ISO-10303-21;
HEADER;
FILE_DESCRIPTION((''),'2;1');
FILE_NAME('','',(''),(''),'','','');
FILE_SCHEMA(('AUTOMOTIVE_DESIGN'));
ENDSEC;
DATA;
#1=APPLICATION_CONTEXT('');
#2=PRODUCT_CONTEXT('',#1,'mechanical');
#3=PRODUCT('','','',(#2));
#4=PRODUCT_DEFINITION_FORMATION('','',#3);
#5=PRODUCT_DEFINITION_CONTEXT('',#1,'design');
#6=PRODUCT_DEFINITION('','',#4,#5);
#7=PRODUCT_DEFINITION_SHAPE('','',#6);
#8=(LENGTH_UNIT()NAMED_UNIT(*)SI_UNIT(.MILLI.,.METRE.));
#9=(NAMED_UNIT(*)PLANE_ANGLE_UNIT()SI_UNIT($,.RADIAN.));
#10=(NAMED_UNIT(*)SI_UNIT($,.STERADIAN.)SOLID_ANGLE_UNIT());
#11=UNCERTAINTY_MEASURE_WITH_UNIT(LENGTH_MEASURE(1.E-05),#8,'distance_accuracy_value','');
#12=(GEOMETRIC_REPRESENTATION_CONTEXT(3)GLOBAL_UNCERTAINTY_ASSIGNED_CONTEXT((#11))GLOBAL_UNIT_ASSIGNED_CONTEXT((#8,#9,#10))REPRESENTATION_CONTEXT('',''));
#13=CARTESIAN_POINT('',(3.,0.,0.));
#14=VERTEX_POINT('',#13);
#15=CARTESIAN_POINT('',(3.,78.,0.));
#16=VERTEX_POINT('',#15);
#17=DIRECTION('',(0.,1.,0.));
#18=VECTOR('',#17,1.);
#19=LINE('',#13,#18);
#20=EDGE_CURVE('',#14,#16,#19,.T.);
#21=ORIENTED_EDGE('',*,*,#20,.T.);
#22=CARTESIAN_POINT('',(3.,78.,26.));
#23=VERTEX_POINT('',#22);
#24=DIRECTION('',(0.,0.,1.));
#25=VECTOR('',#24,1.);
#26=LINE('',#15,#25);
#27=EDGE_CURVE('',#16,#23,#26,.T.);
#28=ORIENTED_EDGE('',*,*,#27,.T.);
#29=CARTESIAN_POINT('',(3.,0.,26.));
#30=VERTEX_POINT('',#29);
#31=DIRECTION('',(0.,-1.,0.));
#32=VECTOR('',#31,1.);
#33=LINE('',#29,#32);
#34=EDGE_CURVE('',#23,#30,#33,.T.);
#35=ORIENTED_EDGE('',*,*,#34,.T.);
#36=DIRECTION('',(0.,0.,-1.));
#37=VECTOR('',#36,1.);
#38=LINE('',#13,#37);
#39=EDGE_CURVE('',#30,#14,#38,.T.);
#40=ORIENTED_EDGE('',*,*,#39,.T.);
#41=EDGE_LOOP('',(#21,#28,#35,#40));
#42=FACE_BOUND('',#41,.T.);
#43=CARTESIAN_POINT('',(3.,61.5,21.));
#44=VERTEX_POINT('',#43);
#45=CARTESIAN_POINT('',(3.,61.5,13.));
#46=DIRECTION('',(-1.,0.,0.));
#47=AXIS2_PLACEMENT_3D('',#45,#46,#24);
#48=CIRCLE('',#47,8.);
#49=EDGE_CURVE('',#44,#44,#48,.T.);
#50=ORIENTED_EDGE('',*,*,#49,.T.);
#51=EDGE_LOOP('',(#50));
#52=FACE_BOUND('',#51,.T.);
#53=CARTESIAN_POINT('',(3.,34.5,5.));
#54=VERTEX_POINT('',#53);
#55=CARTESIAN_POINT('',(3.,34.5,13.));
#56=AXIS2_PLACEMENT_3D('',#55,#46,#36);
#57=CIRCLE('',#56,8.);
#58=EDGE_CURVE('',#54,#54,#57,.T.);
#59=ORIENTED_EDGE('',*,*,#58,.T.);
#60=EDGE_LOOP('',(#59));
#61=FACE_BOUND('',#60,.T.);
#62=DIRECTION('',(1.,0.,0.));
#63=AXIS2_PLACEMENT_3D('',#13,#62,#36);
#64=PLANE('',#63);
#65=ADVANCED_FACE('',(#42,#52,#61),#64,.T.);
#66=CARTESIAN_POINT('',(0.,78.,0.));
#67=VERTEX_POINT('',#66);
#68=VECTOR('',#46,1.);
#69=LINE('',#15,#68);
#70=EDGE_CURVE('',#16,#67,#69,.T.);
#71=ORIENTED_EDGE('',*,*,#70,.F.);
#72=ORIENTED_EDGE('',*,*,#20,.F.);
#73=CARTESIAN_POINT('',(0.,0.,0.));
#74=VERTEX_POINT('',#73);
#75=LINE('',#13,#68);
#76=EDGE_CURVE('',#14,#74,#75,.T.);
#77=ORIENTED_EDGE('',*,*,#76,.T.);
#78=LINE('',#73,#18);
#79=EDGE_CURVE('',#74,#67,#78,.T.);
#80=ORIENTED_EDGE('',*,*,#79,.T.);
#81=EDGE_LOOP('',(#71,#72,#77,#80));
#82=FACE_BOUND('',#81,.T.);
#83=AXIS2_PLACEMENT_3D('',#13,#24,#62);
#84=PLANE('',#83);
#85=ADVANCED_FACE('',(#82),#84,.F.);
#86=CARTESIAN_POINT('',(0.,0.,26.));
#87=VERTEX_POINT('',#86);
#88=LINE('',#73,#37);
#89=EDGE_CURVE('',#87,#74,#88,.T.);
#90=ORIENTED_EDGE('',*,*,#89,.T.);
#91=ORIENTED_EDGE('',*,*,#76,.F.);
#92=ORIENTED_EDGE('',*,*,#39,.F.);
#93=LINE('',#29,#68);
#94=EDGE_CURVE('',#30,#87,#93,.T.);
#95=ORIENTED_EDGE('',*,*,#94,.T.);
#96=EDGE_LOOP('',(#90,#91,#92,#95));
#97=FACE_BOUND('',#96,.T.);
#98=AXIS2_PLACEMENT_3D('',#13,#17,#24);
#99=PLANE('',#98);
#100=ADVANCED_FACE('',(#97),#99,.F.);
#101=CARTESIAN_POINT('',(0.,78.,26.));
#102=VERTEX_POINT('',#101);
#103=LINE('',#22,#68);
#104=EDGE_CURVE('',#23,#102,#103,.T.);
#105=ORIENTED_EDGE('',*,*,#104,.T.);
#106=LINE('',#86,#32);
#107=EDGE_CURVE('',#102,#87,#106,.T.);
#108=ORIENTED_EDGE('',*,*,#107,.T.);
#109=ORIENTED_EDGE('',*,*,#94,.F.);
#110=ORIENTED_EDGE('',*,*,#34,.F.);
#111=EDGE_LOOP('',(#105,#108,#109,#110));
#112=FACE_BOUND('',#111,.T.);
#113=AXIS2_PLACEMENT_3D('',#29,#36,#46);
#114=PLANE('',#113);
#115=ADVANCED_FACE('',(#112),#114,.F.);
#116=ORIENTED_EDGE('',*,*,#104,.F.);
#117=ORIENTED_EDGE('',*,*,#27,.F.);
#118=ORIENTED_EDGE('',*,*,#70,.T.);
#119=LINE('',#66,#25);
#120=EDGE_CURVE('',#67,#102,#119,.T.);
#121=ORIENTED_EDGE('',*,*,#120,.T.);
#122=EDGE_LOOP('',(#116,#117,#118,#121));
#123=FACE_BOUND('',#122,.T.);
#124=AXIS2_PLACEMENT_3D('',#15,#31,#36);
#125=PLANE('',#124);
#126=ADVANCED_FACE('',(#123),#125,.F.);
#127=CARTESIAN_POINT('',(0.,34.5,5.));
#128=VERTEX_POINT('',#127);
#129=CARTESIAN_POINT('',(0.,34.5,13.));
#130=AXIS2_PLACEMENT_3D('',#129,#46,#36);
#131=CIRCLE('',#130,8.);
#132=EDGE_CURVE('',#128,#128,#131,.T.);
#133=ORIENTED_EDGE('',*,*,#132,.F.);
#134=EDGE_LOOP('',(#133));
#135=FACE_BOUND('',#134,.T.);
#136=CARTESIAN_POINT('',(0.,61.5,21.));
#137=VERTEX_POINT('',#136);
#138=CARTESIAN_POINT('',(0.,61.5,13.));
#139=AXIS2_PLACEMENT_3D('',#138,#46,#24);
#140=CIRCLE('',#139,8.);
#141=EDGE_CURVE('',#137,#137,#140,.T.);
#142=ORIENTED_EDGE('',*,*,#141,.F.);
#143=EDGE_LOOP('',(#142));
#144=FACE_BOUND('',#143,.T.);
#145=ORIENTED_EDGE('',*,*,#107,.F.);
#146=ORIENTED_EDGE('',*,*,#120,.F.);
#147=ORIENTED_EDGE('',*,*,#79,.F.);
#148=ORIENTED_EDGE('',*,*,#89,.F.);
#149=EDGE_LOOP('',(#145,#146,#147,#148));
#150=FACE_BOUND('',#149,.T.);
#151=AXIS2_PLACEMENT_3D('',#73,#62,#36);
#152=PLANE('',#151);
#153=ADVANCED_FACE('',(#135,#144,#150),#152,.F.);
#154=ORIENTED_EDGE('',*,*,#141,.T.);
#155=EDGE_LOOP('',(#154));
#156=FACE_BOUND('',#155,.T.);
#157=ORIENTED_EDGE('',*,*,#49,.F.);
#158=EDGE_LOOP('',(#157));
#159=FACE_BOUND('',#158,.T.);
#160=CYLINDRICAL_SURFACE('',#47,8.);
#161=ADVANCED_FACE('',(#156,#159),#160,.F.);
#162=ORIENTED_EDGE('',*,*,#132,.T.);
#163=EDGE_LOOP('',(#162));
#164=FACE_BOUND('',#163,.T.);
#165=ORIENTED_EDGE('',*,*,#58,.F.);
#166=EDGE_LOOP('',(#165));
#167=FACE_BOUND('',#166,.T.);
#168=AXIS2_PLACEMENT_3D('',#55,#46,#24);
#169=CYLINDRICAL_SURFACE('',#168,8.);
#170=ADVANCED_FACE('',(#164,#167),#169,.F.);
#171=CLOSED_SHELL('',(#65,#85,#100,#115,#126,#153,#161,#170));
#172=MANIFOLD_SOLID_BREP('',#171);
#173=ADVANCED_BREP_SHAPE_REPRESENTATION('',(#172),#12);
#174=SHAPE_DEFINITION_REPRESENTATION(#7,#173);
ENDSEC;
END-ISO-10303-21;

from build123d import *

# Parameters (mm, degrees)
CROQUIS1_W              = 26
CROQUIS1_H              = 78
SALIENTE_EXTRUIR1_DEPTH = 3
CROQUIS2_R              = 8
CORTAR_EXTRUIR1_DEPTH   = 4


with BuildPart() as part:
    # Croquis1 → Saliente-Extruir1 (new body)
    with BuildSketch(Plane(origin=(0, 0, 0), x_dir=(0, 0, -1), z_dir=(1, 0, 0))):
        with Locations((-13, 39)):
            Rectangle(CROQUIS1_W, CROQUIS1_H)
    extrude(amount=SALIENTE_EXTRUIR1_DEPTH)

    # Croquis2 → Cortar-Extruir1 (cut, through all)
    with BuildSketch(Plane.ZY):
        with Locations((13, 61.5)):
            Circle(CROQUIS2_R)
        with Locations((13, 34.5)):
            Circle(CROQUIS2_R)
    extrude(amount=-CORTAR_EXTRUIR1_DEPTH, mode=Mode.SUBTRACT)


solid = part.part
